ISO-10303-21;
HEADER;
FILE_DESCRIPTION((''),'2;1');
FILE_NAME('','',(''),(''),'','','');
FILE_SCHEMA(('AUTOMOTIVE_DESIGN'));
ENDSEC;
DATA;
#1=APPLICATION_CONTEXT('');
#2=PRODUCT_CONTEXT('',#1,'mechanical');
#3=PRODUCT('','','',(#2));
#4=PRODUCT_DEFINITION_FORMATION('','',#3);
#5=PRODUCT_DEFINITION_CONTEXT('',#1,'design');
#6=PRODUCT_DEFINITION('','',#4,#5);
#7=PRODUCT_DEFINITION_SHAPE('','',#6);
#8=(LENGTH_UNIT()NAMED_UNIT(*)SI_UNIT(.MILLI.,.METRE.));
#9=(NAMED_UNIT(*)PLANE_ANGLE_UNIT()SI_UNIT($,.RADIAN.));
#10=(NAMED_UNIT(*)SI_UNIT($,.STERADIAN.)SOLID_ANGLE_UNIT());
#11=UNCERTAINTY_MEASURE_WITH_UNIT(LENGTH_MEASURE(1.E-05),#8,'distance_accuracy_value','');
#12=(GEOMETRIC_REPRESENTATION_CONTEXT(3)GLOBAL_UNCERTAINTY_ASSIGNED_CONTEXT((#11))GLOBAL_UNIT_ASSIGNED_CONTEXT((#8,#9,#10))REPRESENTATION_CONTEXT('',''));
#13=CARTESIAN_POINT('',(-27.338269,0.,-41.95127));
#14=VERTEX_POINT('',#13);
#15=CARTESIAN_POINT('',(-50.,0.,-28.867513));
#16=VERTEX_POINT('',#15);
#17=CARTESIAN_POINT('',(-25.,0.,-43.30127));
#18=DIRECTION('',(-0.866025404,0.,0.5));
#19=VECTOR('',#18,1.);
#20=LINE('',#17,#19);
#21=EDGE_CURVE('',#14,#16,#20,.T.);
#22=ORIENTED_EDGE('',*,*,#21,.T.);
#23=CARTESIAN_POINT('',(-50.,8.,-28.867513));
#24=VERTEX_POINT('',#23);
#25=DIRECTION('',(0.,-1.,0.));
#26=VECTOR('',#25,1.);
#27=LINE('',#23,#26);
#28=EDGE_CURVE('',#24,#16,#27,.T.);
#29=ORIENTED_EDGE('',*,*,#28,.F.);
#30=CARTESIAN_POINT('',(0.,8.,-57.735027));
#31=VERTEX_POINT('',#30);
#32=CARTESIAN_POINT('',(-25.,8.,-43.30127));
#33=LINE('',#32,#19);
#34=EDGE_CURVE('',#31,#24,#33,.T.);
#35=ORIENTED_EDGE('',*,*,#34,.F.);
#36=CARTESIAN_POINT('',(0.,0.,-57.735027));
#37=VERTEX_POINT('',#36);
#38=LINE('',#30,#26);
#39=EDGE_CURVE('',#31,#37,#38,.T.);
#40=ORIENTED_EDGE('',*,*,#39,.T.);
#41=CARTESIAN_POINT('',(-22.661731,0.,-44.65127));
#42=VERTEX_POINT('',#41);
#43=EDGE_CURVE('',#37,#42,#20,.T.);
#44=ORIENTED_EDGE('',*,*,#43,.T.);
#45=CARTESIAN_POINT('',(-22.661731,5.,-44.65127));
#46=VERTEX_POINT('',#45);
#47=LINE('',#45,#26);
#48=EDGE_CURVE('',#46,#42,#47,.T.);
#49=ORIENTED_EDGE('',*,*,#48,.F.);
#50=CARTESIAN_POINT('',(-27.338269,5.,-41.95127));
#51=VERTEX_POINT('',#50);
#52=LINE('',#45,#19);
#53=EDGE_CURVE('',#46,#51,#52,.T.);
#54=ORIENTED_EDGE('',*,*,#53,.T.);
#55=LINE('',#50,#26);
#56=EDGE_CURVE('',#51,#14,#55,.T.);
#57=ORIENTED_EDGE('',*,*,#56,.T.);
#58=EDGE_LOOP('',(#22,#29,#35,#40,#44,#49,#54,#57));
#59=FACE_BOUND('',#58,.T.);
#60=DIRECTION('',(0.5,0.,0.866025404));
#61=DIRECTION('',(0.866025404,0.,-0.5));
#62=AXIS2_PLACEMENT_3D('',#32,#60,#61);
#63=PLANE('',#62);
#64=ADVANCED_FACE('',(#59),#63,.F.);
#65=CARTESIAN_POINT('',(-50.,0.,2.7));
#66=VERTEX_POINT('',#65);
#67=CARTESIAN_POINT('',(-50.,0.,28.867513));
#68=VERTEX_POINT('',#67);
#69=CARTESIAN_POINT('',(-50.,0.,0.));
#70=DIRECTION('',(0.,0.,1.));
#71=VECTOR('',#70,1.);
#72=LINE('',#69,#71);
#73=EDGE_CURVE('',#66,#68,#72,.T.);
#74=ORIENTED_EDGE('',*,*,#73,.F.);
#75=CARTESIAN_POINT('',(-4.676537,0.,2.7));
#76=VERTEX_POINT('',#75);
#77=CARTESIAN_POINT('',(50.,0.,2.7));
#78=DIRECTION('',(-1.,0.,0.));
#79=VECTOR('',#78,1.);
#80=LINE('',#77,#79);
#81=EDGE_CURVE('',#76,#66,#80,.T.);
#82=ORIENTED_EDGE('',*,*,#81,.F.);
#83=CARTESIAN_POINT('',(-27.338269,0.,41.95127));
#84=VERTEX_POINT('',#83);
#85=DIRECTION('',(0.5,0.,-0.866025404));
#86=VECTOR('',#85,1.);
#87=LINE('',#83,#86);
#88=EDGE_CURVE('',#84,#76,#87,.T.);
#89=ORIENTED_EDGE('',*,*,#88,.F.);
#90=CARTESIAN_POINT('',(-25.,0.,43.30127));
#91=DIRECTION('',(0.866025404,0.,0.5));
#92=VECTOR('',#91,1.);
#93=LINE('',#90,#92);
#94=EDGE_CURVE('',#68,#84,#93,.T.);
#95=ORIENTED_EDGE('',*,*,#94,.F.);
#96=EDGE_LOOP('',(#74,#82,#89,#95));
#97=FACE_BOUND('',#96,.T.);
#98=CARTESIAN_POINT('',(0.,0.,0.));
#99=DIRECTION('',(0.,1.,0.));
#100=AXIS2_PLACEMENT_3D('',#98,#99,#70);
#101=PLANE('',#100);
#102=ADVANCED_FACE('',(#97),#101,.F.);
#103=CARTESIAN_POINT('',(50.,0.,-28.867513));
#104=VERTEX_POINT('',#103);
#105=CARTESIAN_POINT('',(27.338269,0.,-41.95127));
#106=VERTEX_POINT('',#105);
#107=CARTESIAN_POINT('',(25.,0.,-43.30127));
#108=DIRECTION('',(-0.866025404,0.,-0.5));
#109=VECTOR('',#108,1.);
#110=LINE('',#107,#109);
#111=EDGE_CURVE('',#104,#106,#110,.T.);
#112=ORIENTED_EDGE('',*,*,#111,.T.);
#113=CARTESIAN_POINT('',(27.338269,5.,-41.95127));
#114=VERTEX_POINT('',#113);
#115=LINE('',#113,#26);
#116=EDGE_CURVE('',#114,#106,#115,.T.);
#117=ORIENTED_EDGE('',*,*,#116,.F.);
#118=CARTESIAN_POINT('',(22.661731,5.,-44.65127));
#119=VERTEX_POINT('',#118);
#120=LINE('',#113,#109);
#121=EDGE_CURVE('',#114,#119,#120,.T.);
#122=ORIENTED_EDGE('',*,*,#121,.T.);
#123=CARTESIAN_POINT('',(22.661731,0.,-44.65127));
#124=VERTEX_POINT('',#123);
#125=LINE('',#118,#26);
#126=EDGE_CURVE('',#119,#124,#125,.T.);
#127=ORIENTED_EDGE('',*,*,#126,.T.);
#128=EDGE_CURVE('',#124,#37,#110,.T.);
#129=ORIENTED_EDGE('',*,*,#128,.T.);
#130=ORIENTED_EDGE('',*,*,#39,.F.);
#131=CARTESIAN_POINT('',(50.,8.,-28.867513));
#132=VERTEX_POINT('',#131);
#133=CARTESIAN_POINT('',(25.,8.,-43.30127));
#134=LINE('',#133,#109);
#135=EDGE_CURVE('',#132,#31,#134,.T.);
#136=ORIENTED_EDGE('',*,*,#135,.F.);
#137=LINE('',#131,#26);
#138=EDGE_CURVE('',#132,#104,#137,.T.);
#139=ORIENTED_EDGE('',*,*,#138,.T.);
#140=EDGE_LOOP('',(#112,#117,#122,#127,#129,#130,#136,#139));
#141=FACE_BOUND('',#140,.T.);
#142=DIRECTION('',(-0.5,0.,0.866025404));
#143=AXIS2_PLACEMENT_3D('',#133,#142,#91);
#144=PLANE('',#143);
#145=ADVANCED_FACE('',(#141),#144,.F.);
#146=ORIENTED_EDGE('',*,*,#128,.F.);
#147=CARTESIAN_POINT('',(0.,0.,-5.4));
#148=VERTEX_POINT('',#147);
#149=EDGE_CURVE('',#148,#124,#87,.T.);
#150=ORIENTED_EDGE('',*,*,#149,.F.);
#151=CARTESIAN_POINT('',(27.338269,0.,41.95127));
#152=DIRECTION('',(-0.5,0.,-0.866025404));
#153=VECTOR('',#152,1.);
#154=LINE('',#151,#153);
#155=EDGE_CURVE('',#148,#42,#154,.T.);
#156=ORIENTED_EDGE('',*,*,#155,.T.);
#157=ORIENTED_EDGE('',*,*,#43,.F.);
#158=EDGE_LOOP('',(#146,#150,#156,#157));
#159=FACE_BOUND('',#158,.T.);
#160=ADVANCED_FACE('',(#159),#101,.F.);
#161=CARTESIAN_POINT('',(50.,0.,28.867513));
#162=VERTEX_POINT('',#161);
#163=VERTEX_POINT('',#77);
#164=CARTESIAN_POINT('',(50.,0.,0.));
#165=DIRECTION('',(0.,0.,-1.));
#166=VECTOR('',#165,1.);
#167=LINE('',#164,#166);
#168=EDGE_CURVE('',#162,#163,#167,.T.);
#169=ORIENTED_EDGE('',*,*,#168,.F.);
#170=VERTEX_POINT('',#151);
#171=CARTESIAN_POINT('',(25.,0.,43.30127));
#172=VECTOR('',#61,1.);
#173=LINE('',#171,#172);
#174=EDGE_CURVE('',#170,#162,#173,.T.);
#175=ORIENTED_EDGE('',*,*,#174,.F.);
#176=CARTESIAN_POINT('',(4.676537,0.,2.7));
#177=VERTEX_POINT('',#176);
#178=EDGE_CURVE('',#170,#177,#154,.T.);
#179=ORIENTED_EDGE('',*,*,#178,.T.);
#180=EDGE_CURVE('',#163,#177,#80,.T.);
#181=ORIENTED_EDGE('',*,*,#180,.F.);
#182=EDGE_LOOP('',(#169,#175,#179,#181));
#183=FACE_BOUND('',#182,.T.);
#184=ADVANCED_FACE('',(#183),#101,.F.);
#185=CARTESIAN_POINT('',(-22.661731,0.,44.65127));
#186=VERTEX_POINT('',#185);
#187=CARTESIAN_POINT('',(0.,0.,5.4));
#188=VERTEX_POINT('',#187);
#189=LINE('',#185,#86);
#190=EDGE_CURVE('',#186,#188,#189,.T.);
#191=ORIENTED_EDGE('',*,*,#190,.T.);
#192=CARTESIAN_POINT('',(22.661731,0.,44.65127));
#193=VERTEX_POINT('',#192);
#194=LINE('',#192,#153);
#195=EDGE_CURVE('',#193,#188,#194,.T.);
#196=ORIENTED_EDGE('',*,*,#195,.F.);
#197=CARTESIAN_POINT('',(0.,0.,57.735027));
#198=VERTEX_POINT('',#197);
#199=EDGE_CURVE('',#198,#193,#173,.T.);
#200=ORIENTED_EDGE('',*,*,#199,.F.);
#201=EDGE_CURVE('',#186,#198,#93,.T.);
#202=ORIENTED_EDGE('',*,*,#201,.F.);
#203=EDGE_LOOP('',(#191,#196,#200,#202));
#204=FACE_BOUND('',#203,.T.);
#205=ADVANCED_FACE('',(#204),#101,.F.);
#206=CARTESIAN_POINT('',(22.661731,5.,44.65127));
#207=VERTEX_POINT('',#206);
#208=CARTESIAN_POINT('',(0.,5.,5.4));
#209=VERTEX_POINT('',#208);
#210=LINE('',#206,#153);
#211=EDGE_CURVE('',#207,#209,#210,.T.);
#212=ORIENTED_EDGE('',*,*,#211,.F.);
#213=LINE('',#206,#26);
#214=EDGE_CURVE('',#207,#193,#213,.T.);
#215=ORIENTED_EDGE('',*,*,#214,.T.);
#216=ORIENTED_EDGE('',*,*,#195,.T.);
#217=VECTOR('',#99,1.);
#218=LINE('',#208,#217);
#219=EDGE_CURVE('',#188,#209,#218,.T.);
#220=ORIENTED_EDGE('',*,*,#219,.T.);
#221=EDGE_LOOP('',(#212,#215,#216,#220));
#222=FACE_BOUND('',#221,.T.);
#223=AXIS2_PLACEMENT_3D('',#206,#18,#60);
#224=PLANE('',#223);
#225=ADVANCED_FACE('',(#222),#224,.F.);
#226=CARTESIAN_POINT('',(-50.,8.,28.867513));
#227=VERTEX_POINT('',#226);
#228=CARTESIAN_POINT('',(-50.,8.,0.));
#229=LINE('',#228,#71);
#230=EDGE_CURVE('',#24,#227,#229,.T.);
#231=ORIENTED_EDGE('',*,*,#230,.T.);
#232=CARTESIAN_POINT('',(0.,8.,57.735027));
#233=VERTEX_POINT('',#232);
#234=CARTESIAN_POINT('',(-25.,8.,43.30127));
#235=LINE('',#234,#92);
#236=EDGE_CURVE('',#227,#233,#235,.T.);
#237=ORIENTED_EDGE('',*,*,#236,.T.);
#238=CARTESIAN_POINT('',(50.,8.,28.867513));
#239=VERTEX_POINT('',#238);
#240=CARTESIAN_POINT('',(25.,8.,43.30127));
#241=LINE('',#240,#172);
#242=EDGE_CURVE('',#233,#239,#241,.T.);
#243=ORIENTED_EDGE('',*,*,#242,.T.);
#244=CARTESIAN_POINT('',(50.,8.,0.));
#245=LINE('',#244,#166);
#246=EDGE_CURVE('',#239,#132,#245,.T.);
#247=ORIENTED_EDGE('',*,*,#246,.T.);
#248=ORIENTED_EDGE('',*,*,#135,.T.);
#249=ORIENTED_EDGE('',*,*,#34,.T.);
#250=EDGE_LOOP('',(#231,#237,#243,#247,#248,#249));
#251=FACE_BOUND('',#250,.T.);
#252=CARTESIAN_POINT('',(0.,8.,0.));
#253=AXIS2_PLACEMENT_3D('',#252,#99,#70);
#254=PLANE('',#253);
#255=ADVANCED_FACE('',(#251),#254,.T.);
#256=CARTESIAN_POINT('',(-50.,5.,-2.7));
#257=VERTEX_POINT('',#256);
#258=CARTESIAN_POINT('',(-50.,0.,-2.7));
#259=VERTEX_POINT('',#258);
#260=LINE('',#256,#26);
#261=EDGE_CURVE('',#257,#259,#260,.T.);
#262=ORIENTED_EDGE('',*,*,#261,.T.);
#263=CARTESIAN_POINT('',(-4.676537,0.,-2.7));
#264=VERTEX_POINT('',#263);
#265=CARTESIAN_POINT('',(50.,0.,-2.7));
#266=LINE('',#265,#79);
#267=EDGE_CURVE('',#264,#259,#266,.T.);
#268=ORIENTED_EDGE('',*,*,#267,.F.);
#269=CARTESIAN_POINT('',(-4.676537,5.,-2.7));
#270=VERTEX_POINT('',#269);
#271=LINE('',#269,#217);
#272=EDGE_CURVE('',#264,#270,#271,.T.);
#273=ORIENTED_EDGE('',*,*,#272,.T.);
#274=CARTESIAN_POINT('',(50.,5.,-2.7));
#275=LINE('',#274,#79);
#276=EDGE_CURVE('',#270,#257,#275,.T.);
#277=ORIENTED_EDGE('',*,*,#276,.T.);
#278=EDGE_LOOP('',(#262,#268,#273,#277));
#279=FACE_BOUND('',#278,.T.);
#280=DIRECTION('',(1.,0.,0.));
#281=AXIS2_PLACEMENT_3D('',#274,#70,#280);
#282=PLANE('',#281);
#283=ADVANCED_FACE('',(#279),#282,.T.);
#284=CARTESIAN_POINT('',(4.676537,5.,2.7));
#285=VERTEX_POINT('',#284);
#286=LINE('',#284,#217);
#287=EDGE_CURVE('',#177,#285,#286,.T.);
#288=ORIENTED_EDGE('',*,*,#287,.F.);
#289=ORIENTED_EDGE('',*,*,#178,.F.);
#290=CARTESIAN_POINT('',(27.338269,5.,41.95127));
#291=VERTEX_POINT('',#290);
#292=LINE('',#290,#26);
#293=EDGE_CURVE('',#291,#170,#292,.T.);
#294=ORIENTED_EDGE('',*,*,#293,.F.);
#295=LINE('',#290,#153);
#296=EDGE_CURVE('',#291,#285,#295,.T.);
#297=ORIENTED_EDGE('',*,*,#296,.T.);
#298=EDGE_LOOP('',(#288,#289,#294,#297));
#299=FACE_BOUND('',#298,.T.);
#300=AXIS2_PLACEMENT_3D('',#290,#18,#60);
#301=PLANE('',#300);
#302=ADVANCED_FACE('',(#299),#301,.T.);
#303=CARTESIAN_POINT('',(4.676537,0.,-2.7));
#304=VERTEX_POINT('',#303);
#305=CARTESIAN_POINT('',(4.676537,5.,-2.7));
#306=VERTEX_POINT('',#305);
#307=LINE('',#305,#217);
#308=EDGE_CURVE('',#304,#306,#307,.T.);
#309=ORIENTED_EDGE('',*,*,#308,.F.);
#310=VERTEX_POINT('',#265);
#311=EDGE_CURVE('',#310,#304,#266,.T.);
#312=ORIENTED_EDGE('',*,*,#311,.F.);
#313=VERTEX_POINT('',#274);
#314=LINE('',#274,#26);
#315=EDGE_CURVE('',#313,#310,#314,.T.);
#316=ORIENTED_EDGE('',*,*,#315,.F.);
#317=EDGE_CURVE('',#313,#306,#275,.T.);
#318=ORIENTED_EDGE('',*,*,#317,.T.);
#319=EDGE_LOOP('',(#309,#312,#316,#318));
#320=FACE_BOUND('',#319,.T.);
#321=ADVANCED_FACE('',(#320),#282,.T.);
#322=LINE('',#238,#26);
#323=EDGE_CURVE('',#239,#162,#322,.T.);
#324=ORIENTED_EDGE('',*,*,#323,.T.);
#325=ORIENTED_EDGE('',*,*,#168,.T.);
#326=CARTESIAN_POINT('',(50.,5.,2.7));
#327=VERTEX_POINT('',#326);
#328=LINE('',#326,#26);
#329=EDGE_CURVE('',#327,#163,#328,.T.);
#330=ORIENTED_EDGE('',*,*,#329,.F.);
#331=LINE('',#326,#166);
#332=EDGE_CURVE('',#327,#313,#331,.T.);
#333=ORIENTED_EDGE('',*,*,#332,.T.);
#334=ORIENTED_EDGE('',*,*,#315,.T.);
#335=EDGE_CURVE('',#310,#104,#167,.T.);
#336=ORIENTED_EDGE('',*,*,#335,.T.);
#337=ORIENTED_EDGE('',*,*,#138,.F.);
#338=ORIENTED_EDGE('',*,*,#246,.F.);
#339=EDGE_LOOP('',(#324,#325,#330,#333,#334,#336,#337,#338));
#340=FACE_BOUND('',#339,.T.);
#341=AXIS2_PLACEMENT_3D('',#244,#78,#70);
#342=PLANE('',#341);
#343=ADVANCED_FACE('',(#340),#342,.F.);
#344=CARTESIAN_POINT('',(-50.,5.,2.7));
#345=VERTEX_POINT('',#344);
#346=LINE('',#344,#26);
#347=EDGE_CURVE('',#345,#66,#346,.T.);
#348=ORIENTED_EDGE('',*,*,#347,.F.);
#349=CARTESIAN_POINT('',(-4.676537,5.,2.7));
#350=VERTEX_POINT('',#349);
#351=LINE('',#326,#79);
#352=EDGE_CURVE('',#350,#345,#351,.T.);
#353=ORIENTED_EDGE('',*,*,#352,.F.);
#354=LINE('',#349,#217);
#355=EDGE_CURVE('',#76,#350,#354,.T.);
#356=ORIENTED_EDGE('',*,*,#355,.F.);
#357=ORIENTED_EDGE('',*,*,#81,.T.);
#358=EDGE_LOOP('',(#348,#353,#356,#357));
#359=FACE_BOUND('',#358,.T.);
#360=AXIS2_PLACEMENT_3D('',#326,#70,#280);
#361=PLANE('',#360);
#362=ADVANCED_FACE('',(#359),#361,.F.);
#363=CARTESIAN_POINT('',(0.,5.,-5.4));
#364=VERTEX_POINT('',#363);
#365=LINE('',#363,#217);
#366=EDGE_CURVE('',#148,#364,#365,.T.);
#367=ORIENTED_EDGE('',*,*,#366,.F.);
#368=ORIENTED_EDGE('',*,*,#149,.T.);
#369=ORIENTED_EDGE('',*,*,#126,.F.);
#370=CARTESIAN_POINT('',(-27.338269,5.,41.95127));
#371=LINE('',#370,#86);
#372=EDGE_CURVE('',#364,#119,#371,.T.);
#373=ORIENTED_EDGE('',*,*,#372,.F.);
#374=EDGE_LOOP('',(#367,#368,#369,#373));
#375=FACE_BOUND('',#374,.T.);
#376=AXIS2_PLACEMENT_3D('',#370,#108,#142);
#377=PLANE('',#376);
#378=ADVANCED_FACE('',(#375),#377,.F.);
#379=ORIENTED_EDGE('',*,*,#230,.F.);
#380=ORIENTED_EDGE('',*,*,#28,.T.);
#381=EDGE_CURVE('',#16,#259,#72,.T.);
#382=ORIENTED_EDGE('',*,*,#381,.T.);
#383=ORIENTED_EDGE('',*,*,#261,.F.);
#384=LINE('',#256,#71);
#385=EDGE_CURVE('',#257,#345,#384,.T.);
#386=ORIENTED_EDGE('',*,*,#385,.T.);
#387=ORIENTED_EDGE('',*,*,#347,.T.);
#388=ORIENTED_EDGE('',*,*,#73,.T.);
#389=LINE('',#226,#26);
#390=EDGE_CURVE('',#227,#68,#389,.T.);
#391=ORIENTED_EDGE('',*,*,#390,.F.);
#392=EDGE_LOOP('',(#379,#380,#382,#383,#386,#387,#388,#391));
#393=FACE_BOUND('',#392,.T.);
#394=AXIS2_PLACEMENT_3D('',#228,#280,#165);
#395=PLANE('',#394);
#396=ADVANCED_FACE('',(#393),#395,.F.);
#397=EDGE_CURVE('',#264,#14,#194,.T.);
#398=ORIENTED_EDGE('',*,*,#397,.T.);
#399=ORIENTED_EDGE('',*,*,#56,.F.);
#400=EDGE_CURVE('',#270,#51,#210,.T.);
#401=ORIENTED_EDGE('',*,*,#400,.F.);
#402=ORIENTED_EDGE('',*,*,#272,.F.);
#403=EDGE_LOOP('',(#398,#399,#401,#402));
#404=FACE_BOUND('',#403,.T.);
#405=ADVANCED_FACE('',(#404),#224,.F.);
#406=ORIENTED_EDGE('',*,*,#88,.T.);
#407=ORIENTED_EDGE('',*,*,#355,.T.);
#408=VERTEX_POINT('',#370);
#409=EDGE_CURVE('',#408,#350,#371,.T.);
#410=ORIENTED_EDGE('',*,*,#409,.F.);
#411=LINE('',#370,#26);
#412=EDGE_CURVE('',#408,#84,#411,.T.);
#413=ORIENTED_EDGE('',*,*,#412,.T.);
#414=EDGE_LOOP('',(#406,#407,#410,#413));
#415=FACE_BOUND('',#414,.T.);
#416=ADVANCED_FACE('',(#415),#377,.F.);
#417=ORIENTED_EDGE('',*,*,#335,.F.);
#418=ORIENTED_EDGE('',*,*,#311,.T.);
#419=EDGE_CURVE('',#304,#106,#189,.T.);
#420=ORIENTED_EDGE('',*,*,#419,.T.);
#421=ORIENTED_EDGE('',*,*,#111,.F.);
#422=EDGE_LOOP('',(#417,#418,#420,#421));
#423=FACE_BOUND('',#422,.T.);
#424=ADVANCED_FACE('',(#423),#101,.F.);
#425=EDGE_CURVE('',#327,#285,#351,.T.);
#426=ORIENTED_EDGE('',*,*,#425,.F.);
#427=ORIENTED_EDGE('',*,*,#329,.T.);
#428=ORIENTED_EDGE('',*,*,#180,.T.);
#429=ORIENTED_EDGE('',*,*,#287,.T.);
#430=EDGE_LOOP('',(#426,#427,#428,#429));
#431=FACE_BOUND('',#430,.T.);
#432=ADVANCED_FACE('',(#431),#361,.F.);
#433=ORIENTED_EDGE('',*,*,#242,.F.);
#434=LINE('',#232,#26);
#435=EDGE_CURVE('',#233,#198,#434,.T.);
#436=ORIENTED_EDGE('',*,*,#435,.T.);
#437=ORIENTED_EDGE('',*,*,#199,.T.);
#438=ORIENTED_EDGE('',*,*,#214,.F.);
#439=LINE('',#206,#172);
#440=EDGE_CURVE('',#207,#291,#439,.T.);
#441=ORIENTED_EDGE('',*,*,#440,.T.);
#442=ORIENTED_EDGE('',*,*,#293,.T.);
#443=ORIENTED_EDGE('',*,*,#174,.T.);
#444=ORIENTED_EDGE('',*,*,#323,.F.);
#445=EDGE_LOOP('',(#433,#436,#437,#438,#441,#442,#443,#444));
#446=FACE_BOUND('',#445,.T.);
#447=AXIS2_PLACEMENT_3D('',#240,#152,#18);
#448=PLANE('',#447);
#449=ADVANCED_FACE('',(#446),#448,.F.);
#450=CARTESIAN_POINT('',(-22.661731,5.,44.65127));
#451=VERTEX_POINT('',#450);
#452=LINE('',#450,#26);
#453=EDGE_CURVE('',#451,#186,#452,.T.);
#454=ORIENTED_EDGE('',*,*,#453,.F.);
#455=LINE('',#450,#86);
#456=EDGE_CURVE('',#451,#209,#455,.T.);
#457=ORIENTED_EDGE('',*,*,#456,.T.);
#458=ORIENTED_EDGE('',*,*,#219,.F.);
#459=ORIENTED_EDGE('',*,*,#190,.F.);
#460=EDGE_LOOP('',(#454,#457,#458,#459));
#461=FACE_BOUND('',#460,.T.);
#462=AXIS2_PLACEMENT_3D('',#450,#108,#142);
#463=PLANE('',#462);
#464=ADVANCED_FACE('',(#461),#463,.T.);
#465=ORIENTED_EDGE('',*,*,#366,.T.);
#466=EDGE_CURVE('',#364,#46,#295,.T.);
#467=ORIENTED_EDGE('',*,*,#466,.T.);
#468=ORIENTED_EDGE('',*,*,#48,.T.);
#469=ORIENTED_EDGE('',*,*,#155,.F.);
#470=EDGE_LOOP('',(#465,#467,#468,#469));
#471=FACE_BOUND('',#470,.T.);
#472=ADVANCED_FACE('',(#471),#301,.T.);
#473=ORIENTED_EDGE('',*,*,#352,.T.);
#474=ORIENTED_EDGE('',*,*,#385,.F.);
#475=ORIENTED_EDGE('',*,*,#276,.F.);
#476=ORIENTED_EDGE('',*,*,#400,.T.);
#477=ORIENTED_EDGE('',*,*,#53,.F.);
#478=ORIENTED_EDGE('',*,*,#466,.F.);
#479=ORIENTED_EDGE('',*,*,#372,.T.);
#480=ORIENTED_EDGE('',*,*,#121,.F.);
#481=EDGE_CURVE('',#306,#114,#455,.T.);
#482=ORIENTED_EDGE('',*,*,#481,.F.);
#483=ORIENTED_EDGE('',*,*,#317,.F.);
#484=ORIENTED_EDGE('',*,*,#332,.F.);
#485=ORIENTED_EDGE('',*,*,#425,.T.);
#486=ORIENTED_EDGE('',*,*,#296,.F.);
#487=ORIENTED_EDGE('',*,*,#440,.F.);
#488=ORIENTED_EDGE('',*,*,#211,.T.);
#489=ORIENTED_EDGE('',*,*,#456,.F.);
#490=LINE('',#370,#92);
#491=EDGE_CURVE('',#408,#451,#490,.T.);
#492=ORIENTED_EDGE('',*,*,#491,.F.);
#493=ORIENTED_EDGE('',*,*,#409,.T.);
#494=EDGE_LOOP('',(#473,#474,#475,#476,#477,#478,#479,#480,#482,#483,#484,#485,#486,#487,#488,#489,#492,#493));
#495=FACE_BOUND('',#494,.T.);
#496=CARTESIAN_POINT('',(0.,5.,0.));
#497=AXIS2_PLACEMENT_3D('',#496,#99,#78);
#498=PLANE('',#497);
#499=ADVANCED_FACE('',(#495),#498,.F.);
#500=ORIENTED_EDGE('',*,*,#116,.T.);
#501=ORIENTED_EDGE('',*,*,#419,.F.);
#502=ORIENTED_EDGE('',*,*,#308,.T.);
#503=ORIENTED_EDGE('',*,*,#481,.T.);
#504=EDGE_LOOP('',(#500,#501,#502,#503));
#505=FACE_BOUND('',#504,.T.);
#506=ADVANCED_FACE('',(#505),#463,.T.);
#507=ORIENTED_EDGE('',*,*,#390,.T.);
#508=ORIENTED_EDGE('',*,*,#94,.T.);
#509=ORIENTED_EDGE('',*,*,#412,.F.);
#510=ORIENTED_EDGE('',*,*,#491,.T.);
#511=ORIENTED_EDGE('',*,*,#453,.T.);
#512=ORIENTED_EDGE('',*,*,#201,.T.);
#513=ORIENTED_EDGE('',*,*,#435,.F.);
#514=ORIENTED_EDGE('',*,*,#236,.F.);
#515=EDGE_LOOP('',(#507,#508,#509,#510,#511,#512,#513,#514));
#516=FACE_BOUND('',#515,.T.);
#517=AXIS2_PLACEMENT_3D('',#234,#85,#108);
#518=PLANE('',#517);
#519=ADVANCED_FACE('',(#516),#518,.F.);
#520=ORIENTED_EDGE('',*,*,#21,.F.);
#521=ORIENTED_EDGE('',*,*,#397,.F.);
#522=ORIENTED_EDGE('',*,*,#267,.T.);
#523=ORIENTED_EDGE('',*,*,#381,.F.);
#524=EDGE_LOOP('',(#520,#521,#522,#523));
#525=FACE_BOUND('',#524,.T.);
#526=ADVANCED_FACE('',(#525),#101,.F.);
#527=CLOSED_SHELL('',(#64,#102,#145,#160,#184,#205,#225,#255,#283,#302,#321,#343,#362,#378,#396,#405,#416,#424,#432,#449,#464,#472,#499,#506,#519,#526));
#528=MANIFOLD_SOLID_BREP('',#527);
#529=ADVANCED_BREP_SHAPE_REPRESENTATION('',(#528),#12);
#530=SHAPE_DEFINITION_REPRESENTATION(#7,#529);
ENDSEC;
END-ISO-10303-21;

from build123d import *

# Parameters (mm, degrees)
BOSS_EXTRUDE1_DEPTH     = 8
SKETCH2_W               = 100
SKETCH2_H               = 5.4
CUT_EXTRUDE_THIN1_DEPTH = 5


with BuildPart() as part:
    # Sketch1 → Boss-Extrude1 (new body)
    with BuildSketch(Plane(origin=(0, 0, 0), x_dir=(1, 0, 0), z_dir=(0, 1, 0))):
        Polygon((0, 57.735026919), (-50, 28.867513459), (-50, -28.867513459), (0, -57.735026919), (50, -28.867513459), (50, 28.867513459), align=None)
    extrude(amount=BOSS_EXTRUDE1_DEPTH)

    # Sketch2 → Cut-Extrude-Thin1 (cut)
    with BuildSketch(Plane.XZ):
        Polygon((-27.33826859, 41.951270189), (22.66173141, -44.651270189), (27.33826859, -41.951270189), (-22.66173141, 44.651270189), align=None)
        Polygon((22.66173141, 44.651270189), (-27.33826859, -41.951270189), (-22.66173141, -44.651270189), (27.33826859, 41.951270189), align=None)
        Rectangle(SKETCH2_W, SKETCH2_H)
    extrude(amount=-CUT_EXTRUDE_THIN1_DEPTH, mode=Mode.SUBTRACT)


solid = part.part
